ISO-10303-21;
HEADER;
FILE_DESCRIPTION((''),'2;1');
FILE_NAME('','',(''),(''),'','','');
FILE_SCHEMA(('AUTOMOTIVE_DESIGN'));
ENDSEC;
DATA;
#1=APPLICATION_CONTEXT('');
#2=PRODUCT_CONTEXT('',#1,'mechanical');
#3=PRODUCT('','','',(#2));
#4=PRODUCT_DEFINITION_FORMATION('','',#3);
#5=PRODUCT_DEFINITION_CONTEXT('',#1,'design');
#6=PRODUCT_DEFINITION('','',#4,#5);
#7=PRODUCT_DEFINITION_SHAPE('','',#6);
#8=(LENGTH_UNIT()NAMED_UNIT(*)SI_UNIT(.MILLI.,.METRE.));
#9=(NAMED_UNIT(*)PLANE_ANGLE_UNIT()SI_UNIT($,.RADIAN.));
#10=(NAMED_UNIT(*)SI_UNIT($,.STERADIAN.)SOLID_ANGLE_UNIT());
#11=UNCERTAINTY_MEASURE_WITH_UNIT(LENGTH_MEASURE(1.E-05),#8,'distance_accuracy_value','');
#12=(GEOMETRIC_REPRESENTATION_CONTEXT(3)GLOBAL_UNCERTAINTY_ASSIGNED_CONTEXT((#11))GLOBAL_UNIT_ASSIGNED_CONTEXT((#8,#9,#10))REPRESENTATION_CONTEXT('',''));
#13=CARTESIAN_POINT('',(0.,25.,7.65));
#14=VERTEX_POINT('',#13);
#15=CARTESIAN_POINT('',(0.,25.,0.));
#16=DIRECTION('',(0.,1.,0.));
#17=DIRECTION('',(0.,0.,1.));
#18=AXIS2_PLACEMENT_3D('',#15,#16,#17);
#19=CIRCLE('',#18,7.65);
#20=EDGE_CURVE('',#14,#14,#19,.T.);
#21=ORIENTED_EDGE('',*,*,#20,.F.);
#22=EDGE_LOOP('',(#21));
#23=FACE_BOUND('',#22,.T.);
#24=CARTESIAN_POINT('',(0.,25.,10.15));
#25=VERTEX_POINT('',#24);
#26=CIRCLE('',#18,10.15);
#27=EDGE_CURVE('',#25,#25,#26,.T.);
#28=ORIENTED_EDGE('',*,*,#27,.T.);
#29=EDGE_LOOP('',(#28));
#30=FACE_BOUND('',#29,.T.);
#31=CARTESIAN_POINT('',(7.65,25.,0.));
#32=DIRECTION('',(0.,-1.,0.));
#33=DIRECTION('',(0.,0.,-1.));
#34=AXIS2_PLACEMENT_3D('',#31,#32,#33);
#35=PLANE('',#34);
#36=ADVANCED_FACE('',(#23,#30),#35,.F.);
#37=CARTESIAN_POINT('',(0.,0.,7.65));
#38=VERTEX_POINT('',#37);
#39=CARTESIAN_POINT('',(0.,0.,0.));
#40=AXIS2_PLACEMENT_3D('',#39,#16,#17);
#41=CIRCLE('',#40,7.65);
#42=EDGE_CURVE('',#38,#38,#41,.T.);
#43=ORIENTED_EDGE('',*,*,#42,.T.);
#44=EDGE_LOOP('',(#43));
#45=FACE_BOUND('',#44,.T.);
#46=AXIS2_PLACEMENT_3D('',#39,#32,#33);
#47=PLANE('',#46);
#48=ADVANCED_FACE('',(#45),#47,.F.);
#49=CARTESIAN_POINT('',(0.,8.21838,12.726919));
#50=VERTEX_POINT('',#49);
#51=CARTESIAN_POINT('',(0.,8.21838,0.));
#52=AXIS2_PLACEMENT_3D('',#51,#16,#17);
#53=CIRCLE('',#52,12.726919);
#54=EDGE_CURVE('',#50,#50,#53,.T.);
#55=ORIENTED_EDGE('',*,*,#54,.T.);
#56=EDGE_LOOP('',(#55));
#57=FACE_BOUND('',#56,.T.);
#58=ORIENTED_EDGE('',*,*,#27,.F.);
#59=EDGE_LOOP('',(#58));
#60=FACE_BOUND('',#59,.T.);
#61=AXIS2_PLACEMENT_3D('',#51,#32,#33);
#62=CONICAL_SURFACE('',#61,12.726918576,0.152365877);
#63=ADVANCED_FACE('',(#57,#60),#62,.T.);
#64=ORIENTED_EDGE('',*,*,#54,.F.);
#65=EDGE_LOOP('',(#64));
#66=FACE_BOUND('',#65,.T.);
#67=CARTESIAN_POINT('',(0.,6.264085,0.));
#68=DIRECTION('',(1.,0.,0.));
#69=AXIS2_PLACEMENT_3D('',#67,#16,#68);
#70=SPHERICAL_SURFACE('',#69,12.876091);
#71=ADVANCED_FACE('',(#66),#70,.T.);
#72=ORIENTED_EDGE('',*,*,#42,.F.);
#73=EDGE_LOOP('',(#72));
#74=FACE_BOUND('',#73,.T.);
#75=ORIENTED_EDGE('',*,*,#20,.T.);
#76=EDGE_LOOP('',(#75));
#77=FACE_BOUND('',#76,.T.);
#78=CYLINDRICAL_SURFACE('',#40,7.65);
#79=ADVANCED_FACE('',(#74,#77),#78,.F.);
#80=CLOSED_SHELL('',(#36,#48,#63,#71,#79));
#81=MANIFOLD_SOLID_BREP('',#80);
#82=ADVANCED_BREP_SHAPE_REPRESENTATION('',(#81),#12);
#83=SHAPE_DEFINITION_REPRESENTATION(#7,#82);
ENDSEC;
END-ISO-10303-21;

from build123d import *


with BuildPart() as part:
    # Esquisse1 → Révolution1 (revolve)
    with BuildSketch(Plane.XY, mode=Mode.PRIVATE) as r_volution1_sk:
        with BuildLine():
            Line((0, 0), (7.65, 0))
            Line((7.65, 0), (7.65, 25))
            Line((7.65, 25), (10.15, 25))
            Line((10.15, 25), (12.726918576, 8.218379822))
            ThreePointArc((12.726918576, 8.218379822), (9.771320344, -2.121320344), (0, -6.612006167))
            Line((0, -6.612006167), (0, 0))
        make_face()
    revolve(r_volution1_sk.sketch.rotate(Axis((0, 0, 0), (0, -1, 0)), 90), axis=Axis((0, 0, 0), (0, -1, 0)))


solid = part.part
